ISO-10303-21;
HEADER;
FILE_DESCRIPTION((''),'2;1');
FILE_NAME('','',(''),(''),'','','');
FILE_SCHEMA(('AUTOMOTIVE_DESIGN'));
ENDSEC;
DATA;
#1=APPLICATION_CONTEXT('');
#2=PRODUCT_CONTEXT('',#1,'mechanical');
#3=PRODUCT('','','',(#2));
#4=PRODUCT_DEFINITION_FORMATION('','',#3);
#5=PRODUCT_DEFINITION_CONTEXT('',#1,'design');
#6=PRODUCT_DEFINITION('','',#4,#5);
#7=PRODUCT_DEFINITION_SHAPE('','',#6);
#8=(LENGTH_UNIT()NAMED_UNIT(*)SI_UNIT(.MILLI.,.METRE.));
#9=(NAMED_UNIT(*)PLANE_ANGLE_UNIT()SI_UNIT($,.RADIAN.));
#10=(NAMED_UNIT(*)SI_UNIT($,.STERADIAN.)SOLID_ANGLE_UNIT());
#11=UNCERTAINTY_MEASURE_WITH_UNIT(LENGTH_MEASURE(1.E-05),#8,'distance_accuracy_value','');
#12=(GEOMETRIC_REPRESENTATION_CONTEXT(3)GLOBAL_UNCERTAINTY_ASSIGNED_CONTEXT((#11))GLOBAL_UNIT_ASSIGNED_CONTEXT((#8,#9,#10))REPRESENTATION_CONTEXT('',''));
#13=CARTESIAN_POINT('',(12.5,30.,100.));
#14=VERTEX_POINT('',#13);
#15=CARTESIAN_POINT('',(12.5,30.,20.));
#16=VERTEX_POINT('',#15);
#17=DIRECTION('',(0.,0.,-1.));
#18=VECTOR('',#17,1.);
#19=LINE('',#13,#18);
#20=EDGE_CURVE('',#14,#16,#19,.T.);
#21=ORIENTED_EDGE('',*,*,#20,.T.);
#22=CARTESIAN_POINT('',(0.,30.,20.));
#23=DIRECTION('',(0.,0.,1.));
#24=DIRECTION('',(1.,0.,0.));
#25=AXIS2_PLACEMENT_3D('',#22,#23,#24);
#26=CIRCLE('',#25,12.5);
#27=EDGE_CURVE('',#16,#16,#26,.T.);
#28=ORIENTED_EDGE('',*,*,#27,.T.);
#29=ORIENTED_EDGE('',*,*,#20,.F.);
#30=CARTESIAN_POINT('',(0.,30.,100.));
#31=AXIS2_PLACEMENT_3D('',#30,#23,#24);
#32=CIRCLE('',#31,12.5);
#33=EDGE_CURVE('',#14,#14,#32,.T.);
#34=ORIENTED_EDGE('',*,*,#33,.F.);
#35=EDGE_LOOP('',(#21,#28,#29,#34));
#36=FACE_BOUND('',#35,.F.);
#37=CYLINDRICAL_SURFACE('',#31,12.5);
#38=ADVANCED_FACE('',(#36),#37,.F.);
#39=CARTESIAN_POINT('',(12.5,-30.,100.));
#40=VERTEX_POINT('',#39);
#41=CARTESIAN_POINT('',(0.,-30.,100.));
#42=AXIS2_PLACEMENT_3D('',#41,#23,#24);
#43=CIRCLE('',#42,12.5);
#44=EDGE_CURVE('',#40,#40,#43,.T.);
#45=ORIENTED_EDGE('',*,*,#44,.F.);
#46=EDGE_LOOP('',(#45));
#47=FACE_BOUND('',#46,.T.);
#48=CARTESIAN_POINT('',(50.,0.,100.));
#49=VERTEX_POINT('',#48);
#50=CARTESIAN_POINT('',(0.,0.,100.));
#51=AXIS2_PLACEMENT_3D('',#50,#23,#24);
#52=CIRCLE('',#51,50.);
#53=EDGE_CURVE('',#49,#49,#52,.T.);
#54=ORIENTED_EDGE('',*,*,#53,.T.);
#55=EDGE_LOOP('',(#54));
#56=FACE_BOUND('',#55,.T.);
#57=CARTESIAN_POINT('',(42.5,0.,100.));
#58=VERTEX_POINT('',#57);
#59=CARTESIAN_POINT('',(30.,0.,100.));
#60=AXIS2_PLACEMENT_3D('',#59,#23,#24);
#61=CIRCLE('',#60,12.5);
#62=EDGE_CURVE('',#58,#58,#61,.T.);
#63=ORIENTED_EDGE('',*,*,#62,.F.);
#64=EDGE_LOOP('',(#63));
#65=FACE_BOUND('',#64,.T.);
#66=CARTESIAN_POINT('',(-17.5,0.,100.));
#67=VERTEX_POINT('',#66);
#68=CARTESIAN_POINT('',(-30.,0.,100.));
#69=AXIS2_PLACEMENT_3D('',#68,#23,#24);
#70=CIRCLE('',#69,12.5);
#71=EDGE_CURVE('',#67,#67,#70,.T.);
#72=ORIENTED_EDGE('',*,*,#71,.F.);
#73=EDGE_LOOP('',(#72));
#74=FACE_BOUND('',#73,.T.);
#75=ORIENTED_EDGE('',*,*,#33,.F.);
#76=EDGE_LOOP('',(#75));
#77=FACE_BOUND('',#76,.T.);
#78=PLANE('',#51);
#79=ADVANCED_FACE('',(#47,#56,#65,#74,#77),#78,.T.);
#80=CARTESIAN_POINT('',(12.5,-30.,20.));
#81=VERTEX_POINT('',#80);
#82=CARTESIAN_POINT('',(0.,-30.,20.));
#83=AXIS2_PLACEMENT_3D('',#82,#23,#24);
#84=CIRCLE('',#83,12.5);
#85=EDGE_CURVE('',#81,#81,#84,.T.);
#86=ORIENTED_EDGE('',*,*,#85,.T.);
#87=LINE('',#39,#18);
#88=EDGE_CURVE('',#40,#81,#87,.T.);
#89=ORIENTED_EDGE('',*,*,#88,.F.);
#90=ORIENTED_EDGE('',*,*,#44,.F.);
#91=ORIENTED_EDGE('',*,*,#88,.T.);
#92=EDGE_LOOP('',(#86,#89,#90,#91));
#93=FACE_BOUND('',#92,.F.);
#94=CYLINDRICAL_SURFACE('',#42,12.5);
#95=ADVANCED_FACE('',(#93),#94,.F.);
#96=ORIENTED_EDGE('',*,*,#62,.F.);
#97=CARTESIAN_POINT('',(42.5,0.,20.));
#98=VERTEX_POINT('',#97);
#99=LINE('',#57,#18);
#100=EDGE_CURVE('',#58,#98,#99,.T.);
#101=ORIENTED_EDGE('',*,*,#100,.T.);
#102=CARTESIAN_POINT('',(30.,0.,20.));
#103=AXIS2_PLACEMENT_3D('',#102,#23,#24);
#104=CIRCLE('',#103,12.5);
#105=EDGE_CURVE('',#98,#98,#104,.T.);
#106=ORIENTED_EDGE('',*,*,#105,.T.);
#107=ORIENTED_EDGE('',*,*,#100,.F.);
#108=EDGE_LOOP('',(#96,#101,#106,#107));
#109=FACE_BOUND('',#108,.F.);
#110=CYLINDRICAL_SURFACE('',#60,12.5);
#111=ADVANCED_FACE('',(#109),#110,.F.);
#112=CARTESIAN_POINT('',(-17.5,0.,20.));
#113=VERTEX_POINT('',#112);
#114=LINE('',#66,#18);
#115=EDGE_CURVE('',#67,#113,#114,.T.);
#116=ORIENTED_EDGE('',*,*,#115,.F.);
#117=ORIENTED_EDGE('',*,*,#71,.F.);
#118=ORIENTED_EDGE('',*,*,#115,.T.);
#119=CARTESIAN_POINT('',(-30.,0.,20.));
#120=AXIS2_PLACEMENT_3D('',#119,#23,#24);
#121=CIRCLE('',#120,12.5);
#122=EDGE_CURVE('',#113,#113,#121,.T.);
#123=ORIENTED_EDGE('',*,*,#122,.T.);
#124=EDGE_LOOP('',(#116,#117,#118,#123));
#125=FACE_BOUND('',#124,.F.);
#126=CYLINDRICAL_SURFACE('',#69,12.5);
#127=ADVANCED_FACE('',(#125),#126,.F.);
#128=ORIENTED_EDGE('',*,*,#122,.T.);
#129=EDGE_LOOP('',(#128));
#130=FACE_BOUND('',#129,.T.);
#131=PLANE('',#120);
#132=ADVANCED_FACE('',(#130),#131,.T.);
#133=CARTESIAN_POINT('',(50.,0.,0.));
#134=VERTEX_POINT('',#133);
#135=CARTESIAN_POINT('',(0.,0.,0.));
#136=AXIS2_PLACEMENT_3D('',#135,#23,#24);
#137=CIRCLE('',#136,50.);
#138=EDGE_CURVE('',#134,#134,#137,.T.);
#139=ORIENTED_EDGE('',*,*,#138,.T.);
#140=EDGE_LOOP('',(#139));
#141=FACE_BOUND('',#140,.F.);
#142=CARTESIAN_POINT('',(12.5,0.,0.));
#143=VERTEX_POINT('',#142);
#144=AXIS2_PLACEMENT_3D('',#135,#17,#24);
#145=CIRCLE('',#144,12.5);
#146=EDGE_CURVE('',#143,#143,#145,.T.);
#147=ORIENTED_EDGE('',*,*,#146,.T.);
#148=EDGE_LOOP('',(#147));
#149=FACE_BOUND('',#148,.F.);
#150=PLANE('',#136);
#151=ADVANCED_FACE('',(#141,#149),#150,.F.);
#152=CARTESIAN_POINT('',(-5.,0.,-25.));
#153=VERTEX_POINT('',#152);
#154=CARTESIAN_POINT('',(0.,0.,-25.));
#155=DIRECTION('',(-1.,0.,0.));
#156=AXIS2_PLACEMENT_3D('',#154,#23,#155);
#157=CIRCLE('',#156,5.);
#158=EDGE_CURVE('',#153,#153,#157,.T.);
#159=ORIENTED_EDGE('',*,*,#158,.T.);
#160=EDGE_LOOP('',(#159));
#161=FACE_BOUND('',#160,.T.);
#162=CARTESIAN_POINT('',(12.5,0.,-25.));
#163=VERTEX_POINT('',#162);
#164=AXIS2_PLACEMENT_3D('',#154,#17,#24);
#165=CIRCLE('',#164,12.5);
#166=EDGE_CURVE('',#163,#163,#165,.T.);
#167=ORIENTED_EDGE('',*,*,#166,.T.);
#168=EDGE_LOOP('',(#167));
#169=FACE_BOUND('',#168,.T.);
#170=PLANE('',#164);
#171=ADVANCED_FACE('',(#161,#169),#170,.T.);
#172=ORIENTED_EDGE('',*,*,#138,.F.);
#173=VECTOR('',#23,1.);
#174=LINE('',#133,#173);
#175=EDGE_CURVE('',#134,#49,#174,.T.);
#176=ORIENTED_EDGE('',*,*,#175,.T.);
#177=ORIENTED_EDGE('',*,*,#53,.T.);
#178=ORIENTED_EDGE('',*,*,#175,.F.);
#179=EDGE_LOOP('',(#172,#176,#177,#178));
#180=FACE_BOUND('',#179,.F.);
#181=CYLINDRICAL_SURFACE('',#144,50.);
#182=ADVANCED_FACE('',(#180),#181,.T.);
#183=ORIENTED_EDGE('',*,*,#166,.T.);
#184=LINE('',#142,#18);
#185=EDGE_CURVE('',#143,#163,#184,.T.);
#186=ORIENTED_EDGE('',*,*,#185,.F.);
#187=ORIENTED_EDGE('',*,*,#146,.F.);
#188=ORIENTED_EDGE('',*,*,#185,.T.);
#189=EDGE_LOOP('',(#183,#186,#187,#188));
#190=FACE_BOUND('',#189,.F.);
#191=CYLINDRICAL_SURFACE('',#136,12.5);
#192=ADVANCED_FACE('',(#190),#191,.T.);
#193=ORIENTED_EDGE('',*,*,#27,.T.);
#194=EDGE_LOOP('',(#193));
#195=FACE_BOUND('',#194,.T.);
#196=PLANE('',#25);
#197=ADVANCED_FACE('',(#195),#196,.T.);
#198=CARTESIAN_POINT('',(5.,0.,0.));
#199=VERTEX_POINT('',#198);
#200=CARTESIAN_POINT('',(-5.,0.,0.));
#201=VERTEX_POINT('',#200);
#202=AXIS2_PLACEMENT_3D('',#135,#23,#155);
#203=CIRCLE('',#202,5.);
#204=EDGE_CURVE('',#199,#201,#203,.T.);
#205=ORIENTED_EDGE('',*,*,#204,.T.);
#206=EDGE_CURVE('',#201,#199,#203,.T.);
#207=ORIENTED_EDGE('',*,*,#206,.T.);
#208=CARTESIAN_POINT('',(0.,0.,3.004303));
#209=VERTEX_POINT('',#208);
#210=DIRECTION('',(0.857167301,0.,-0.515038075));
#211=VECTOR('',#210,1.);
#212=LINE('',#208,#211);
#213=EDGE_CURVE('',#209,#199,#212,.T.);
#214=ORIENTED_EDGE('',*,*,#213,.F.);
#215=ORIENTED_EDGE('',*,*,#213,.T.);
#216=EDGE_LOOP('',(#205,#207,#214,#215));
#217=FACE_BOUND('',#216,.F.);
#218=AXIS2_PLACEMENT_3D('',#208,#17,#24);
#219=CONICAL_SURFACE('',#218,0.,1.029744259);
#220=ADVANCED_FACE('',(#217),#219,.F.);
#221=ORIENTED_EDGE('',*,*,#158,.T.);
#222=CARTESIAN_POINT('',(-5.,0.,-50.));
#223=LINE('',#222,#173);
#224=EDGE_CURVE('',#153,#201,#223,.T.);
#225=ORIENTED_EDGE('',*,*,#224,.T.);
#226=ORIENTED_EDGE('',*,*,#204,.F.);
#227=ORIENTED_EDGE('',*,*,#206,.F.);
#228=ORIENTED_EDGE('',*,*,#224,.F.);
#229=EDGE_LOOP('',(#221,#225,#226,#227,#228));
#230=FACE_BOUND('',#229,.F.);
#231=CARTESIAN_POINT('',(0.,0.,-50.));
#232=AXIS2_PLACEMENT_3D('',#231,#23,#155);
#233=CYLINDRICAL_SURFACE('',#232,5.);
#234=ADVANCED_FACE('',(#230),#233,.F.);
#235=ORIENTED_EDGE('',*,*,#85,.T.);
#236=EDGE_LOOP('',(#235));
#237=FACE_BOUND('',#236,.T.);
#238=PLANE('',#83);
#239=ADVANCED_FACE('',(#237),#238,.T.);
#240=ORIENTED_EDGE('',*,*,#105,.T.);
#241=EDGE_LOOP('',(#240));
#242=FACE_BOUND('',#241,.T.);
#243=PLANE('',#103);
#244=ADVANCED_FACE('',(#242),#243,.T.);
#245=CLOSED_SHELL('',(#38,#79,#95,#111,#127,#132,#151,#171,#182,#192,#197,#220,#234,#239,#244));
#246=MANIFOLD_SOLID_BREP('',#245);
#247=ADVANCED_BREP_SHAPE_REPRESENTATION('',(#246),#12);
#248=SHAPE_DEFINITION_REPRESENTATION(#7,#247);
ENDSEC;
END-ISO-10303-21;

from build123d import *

# Parameters (mm, degrees)
F0_R     = 50
F1_DEPTH = 100
F2_R     = 12.5
F3_DEPTH = 25
F5_D     = 10
F5_DEPTH = 25
F5_TIP   = 3.0043030951
F6_R     = 12.5
F7_DEPTH = 80


with BuildPart() as f1:
    # F0 (on Top) → F1 (new body)
    with BuildSketch(Plane.XY):
        Circle(F0_R)
    extrude(amount=F1_DEPTH)

    # F2 (on face) → F3 (join)
    with BuildSketch(Plane(origin=(0, 0, 0), x_dir=(1, 0, 0), z_dir=(0, 0, -1))):
        Circle(F2_R)
    extrude(amount=F3_DEPTH)

    # F5
    with Locations(Plane(origin=(0, 0, -25), x_dir=(1, 0, 0), z_dir=(0, 0, -1))):
        with Locations((0, 0)):
            Hole(F5_D / 2, depth=F5_DEPTH)
            with Locations((0, 0, -(F5_DEPTH + F5_TIP / 2))):  # 118° drill point
                Cone(0, F5_D / 2, F5_TIP, mode=Mode.SUBTRACT)

    # F6 (on face) → F7 (cut)
    with BuildSketch(Plane.XY.offset(100)):
        with Locations((-30, 0)):
            Circle(F6_R)
        with Locations((0, -30)):
            Circle(F6_R)
        with Locations((30, 0)):
            Circle(F6_R)
        with Locations((0, 30)):
            Circle(F6_R)
    extrude(amount=-F7_DEPTH, mode=Mode.SUBTRACT)


solid = f1.part
